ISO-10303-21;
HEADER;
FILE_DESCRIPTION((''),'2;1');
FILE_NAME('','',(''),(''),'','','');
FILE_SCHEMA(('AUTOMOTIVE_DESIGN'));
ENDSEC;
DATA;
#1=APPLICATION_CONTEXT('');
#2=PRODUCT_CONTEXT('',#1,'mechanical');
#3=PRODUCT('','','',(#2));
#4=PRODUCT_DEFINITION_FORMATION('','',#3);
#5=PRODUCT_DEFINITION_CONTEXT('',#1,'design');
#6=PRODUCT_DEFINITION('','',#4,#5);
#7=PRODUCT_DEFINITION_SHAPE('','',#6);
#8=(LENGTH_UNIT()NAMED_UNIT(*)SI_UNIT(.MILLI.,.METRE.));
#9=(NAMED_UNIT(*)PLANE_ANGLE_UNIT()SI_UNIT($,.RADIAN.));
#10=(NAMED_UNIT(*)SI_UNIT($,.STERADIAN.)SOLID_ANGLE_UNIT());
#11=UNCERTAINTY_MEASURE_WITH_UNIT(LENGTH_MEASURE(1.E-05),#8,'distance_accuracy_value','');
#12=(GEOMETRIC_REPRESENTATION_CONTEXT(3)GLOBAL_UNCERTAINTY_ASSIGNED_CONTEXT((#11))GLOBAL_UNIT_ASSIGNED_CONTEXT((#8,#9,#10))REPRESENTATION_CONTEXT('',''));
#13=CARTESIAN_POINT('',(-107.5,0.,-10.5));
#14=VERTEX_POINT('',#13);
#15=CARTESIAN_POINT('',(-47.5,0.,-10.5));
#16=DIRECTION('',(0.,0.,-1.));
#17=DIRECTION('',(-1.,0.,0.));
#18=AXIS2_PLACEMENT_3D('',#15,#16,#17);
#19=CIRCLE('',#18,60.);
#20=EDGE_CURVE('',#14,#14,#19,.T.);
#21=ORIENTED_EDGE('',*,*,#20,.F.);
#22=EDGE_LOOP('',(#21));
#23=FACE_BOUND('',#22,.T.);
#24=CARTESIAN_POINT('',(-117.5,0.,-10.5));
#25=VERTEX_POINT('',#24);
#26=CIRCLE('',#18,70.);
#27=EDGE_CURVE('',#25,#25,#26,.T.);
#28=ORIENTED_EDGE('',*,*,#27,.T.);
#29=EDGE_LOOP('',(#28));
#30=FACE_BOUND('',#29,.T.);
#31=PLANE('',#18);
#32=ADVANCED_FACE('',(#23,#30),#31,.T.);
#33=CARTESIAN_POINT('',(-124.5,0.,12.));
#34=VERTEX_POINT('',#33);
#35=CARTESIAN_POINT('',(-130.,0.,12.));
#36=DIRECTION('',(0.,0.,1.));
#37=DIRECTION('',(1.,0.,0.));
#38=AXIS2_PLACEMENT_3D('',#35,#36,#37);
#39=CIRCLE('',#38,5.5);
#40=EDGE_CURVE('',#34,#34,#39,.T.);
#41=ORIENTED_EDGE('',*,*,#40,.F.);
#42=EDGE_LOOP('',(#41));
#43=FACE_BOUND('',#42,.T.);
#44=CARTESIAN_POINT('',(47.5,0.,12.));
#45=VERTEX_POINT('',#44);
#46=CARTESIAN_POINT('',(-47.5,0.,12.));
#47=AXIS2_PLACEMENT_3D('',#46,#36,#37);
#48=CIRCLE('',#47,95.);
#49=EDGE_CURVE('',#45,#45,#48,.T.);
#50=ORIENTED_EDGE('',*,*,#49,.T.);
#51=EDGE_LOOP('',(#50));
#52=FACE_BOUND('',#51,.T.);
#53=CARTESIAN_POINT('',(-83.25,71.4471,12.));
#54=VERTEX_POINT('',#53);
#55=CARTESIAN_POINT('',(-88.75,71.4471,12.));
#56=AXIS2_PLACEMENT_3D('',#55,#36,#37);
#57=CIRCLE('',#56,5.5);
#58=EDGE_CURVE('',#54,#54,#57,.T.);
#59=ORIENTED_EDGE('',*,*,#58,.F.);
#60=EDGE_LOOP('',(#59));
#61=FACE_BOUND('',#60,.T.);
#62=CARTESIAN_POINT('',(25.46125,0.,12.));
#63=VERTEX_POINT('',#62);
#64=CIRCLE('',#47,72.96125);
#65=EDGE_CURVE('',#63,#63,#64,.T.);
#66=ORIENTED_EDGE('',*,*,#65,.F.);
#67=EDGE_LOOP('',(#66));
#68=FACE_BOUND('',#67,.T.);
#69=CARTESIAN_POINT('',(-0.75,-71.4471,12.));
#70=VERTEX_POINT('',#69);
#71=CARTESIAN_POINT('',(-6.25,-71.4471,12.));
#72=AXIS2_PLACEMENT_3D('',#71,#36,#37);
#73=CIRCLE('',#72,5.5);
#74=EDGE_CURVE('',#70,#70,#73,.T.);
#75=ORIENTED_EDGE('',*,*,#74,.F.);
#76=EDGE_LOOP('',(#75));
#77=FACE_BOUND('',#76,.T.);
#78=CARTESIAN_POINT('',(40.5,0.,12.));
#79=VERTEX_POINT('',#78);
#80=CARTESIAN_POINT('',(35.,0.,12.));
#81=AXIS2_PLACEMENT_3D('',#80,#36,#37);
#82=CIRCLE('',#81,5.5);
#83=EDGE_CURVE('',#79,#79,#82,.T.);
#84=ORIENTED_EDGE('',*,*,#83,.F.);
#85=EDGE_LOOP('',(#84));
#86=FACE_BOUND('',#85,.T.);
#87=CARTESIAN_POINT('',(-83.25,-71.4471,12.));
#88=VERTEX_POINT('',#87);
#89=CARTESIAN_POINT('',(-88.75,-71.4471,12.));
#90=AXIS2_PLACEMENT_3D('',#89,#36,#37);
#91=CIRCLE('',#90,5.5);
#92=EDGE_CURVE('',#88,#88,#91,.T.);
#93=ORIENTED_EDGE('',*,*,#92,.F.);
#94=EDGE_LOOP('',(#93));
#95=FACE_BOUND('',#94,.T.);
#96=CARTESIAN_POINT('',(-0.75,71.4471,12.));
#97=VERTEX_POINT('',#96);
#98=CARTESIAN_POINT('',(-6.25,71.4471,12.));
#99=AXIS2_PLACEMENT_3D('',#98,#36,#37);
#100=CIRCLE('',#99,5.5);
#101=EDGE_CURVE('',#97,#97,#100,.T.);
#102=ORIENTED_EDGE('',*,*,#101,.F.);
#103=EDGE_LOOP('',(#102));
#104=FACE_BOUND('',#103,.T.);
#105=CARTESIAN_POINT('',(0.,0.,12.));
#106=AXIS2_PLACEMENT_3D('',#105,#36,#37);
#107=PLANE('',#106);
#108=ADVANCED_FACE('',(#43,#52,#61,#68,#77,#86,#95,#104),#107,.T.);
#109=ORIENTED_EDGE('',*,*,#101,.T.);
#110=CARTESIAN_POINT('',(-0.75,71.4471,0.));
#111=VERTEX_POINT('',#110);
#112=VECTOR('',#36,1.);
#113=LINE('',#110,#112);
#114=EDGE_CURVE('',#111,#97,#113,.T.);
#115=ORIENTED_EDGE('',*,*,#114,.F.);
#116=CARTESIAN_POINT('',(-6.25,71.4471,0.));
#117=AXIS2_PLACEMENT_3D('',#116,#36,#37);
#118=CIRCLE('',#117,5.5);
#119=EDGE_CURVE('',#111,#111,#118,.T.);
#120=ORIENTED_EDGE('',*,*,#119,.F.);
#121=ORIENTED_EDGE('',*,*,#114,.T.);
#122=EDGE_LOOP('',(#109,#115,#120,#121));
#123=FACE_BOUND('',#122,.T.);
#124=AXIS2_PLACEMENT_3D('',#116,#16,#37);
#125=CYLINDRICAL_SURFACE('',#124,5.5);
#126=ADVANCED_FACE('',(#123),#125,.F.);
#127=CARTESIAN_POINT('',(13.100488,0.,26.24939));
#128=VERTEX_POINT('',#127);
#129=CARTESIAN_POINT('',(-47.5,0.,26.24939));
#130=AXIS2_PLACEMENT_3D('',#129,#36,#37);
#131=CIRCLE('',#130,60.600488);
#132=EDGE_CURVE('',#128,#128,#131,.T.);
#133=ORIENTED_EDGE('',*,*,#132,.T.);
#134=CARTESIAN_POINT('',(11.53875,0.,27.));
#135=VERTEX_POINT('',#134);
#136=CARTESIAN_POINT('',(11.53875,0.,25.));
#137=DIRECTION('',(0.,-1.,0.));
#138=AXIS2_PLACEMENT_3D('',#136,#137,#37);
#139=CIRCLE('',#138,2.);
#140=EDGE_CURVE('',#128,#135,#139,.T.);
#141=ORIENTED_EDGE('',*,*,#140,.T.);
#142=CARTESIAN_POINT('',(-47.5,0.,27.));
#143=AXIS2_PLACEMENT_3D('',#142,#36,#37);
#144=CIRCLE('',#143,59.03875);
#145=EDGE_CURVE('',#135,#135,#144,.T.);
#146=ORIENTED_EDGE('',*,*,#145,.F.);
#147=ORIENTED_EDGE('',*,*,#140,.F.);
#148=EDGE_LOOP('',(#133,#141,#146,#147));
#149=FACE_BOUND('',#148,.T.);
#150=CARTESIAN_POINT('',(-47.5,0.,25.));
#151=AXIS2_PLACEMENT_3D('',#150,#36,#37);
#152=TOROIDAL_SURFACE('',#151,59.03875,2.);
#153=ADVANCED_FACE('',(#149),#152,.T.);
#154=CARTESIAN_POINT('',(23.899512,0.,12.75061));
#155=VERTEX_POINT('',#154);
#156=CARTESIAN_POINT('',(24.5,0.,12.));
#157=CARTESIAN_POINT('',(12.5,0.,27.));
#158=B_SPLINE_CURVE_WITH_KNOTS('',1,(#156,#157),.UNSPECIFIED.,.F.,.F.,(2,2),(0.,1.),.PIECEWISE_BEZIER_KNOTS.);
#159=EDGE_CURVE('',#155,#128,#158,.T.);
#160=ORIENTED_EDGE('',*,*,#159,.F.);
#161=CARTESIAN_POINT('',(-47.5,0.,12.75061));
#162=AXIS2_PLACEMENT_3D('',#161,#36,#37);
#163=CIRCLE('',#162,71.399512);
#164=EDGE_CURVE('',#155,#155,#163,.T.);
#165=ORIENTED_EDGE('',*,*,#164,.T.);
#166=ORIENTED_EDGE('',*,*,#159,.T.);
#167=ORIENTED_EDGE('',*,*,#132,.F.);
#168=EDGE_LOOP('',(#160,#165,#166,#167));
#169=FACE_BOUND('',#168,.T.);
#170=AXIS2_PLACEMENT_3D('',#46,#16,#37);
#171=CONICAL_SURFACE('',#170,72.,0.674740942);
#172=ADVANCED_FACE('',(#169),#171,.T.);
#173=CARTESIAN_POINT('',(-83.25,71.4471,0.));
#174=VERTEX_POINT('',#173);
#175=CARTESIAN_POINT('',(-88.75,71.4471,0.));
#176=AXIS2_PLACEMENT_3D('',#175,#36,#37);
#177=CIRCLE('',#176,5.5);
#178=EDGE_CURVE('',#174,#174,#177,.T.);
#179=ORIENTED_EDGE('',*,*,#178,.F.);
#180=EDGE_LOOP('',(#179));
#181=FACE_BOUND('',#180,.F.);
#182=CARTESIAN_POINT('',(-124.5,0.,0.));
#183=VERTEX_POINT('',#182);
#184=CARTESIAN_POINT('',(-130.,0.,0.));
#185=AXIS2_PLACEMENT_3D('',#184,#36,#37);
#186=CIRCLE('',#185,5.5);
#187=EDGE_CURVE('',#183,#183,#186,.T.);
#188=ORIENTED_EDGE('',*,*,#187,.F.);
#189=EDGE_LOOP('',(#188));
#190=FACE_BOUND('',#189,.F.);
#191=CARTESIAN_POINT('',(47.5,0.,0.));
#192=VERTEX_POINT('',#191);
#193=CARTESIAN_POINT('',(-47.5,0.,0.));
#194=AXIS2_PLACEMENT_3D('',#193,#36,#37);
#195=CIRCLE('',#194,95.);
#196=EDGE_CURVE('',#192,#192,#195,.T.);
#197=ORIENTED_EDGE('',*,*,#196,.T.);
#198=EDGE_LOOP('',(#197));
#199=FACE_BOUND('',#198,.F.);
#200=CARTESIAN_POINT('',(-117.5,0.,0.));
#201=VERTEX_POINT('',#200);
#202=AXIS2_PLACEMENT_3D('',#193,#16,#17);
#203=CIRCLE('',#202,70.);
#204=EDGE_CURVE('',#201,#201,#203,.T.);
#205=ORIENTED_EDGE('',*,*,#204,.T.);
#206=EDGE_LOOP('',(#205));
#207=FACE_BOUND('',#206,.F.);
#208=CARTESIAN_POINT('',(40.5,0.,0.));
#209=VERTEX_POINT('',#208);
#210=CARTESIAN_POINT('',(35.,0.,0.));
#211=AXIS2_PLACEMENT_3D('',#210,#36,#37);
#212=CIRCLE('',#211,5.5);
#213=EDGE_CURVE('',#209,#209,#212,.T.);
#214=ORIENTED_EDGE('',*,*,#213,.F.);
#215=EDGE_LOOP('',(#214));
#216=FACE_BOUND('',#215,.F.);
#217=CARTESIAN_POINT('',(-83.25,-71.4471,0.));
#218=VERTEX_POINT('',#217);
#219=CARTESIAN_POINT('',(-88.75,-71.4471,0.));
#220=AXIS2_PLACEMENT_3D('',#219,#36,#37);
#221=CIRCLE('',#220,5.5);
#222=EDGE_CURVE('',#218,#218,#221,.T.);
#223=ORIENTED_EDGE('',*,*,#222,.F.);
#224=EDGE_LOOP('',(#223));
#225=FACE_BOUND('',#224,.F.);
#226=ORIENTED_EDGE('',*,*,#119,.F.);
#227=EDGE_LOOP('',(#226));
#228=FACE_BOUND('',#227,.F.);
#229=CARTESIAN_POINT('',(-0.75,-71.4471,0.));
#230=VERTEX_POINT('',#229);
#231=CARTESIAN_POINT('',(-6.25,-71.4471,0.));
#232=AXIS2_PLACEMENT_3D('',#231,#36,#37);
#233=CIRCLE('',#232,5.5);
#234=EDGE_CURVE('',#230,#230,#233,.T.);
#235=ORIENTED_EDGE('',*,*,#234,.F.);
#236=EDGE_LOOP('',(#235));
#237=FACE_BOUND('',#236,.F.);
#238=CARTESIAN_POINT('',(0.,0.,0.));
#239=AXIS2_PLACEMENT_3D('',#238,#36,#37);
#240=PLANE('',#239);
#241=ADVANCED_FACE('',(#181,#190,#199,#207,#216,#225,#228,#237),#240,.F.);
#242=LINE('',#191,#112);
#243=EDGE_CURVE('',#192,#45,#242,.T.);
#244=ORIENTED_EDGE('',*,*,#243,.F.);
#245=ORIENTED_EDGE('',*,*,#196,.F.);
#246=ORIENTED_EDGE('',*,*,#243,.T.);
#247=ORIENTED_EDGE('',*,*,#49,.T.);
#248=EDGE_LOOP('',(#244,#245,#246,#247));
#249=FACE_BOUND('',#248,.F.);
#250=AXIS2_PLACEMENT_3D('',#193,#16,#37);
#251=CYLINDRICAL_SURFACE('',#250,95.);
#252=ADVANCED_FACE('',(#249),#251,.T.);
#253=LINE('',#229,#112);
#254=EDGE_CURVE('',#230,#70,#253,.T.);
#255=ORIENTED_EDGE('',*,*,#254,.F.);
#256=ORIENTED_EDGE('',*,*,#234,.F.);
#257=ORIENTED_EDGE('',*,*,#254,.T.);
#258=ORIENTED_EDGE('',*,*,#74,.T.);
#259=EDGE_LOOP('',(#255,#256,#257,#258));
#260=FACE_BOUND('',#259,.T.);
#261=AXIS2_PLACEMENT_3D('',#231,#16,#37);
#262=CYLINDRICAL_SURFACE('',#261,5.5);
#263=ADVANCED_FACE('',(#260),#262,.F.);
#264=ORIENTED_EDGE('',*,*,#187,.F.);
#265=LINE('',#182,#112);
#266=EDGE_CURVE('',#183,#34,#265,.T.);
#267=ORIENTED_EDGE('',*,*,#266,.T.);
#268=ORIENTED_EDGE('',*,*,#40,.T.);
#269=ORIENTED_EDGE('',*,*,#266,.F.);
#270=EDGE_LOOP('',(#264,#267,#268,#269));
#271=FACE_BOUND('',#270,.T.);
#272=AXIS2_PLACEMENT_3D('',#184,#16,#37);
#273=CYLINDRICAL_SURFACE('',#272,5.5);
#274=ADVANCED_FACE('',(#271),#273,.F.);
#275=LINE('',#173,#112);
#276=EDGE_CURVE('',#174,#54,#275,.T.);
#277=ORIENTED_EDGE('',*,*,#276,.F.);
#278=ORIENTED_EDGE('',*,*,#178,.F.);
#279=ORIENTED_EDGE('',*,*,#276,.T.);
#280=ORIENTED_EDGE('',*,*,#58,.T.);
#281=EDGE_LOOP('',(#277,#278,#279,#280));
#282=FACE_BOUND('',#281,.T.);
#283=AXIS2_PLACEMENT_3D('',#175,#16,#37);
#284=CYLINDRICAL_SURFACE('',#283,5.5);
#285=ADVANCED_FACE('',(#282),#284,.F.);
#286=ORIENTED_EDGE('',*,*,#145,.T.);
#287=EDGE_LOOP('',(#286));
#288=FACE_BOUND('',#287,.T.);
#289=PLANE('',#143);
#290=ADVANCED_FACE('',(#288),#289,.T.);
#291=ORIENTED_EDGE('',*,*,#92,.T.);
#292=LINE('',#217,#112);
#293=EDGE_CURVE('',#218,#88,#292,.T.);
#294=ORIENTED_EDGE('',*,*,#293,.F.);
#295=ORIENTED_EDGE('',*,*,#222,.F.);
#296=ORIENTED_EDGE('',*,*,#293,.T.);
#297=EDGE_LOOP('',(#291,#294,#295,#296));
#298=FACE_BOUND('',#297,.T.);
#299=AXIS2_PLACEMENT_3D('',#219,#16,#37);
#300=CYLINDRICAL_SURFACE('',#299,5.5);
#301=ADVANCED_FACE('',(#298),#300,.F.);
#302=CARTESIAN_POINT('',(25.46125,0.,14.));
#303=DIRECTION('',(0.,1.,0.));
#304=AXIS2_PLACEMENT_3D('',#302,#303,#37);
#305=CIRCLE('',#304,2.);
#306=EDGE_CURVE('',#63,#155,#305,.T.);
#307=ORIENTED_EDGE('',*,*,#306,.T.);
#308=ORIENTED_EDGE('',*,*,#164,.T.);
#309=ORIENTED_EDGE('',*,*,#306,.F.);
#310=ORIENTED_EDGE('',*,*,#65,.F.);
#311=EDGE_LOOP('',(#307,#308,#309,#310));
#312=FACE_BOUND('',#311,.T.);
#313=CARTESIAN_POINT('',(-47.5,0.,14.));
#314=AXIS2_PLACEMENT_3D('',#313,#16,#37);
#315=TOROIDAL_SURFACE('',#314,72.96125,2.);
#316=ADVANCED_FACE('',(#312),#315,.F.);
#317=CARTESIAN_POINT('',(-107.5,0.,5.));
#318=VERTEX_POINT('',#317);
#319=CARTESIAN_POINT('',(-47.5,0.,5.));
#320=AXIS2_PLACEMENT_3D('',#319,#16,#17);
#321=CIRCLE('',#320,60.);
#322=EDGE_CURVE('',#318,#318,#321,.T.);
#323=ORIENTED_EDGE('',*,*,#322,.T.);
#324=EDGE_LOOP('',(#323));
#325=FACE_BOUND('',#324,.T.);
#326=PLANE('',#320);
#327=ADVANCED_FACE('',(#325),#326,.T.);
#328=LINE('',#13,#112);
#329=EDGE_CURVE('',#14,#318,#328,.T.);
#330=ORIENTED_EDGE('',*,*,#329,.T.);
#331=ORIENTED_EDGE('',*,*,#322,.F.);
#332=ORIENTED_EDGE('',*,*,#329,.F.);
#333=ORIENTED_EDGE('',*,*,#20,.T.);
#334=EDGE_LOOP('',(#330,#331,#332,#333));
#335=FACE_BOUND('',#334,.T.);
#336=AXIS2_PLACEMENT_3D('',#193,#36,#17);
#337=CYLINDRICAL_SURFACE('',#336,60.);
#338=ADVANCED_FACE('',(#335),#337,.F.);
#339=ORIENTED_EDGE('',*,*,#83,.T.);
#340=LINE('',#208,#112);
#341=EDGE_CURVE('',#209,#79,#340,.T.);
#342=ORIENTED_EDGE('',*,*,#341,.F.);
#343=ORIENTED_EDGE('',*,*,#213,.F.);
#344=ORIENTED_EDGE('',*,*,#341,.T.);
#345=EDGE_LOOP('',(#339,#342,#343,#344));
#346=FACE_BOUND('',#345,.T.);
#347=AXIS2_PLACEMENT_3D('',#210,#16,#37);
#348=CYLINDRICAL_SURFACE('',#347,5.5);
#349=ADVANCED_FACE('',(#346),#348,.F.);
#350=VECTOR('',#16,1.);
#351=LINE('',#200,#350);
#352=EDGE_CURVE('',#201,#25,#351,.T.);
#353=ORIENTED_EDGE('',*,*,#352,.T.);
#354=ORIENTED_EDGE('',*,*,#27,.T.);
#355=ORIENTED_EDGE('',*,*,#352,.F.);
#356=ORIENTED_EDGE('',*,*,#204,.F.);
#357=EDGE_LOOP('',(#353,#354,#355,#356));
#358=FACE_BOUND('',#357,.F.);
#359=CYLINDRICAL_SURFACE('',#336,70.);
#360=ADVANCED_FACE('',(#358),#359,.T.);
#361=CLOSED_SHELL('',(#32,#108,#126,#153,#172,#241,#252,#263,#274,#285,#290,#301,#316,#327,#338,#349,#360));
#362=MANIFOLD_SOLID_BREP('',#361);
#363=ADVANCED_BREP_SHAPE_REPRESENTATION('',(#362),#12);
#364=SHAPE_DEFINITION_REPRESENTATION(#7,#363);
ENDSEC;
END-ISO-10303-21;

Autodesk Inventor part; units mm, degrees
ref_plane "YZ Plane" through (0, 0, 0) normal (1, 0, 0) x (0, 1, 0)
ref_plane "工作平面1" through (0, 0, 0) normal (0, 0, 1) x (1, 0, 0)
sketch "草图1" plane through (0, 0, 0) normal (0, 0, 1) x (1, 0, 0)
  arc A0 (-47.5, -70) -> (-47.5, 70) centre (-47.5, 0) ccw construction
  circle A1 centre (-47.5, 0) radius 82.5 construction
  arc A2 (-47.5, -95) -> (-47.5, 95) centre (-47.5, 0) ccw construction
  line L0 (-47.5, 70) -> (-47.5, 95) construction
  arc A3 (-47.5, -70) -> (-47.5, 70) centre (-47.5, 0) ccw construction
  line L1 (-47.5, -95) -> (-47.5, -70) construction
  arc A4 (-47.5, -70) -> (-47.5, 70) centre (-47.5, 0) ccw construction
  circle A5 centre (-47.5, 0) radius 95
  circle A6 centre (-130, 0) radius 5.5
  line L2 (-180.5, 0) -> (85.5, 0) construction
  circle A7 centre (-88.75, -71.4471) radius 5.5
  circle A8 centre (-6.25, -71.4471) radius 5.5
  circle A9 centre (35, 0) radius 5.5
  circle A10 centre (-6.25, 71.4471) radius 5.5
  circle A11 centre (-88.75, 71.4471) radius 5.5
  point P0 (0, 0)
  dimension "d0" = 165
  dimension "d1" = 11
  dimension "d4" = 360
extrude "拉伸1" add sketch "草图1" along normal blind 12
sketch "草图2" plane through (-47.5, 0, 0) normal (0, 0, -1) x (-1, 0, 0)
  arc A0 (0, 70) -> (0, -70) centre (0, 0) ccw construction
  circle A1 centre (0, 0) radius 70
  circle A2 centre (0, 0) radius 60
  point P0 (-47.5, 0)
  dimension "d8" = 10
extrude "拉伸2" add sketch "草图2" along normal blind 10.5
sketch "草图3" plane through (-47.5, 0, 12) normal (0, 0, 1) x (1, 0, 0)
  circle A0 centre (0, 0) radius 70 construction
  circle A1 centre (0, 0) radius 70 construction
  circle A2 centre (0, 0) radius 72
  point P0 (47.5, 0)
  dimension "d11" = 2
ref_plane "工作平面2" through (-47.5, 0, 27) normal (0, 0, 1) x (1, 0, 0)
sketch "草图4" plane through (-47.5, 0, 27) normal (0, 0, 1) x (1, 0, 0)
  circle A0 centre (0, 0) radius 72 construction
  circle A1 centre (0, 0) radius 60 projected
  point P0 (47.5, 0)
loft "放样1" add profiles "草图3", "草图4"
sketch "草图5" plane through (-47.5, 0, 0) normal (0, 0, -1) x (-1, 0, 0)
  circle A0 centre (0, 0) radius 60 projected
  point P0 (-47.5, 0)
extrude "拉伸3" cut sketch "草图5" against normal blind 5
fillet "圆角1" radius 2 2 edges at (-119.5, 0, 12) (-107.5, 0, 27)
properties part number "轴承端盖2"
